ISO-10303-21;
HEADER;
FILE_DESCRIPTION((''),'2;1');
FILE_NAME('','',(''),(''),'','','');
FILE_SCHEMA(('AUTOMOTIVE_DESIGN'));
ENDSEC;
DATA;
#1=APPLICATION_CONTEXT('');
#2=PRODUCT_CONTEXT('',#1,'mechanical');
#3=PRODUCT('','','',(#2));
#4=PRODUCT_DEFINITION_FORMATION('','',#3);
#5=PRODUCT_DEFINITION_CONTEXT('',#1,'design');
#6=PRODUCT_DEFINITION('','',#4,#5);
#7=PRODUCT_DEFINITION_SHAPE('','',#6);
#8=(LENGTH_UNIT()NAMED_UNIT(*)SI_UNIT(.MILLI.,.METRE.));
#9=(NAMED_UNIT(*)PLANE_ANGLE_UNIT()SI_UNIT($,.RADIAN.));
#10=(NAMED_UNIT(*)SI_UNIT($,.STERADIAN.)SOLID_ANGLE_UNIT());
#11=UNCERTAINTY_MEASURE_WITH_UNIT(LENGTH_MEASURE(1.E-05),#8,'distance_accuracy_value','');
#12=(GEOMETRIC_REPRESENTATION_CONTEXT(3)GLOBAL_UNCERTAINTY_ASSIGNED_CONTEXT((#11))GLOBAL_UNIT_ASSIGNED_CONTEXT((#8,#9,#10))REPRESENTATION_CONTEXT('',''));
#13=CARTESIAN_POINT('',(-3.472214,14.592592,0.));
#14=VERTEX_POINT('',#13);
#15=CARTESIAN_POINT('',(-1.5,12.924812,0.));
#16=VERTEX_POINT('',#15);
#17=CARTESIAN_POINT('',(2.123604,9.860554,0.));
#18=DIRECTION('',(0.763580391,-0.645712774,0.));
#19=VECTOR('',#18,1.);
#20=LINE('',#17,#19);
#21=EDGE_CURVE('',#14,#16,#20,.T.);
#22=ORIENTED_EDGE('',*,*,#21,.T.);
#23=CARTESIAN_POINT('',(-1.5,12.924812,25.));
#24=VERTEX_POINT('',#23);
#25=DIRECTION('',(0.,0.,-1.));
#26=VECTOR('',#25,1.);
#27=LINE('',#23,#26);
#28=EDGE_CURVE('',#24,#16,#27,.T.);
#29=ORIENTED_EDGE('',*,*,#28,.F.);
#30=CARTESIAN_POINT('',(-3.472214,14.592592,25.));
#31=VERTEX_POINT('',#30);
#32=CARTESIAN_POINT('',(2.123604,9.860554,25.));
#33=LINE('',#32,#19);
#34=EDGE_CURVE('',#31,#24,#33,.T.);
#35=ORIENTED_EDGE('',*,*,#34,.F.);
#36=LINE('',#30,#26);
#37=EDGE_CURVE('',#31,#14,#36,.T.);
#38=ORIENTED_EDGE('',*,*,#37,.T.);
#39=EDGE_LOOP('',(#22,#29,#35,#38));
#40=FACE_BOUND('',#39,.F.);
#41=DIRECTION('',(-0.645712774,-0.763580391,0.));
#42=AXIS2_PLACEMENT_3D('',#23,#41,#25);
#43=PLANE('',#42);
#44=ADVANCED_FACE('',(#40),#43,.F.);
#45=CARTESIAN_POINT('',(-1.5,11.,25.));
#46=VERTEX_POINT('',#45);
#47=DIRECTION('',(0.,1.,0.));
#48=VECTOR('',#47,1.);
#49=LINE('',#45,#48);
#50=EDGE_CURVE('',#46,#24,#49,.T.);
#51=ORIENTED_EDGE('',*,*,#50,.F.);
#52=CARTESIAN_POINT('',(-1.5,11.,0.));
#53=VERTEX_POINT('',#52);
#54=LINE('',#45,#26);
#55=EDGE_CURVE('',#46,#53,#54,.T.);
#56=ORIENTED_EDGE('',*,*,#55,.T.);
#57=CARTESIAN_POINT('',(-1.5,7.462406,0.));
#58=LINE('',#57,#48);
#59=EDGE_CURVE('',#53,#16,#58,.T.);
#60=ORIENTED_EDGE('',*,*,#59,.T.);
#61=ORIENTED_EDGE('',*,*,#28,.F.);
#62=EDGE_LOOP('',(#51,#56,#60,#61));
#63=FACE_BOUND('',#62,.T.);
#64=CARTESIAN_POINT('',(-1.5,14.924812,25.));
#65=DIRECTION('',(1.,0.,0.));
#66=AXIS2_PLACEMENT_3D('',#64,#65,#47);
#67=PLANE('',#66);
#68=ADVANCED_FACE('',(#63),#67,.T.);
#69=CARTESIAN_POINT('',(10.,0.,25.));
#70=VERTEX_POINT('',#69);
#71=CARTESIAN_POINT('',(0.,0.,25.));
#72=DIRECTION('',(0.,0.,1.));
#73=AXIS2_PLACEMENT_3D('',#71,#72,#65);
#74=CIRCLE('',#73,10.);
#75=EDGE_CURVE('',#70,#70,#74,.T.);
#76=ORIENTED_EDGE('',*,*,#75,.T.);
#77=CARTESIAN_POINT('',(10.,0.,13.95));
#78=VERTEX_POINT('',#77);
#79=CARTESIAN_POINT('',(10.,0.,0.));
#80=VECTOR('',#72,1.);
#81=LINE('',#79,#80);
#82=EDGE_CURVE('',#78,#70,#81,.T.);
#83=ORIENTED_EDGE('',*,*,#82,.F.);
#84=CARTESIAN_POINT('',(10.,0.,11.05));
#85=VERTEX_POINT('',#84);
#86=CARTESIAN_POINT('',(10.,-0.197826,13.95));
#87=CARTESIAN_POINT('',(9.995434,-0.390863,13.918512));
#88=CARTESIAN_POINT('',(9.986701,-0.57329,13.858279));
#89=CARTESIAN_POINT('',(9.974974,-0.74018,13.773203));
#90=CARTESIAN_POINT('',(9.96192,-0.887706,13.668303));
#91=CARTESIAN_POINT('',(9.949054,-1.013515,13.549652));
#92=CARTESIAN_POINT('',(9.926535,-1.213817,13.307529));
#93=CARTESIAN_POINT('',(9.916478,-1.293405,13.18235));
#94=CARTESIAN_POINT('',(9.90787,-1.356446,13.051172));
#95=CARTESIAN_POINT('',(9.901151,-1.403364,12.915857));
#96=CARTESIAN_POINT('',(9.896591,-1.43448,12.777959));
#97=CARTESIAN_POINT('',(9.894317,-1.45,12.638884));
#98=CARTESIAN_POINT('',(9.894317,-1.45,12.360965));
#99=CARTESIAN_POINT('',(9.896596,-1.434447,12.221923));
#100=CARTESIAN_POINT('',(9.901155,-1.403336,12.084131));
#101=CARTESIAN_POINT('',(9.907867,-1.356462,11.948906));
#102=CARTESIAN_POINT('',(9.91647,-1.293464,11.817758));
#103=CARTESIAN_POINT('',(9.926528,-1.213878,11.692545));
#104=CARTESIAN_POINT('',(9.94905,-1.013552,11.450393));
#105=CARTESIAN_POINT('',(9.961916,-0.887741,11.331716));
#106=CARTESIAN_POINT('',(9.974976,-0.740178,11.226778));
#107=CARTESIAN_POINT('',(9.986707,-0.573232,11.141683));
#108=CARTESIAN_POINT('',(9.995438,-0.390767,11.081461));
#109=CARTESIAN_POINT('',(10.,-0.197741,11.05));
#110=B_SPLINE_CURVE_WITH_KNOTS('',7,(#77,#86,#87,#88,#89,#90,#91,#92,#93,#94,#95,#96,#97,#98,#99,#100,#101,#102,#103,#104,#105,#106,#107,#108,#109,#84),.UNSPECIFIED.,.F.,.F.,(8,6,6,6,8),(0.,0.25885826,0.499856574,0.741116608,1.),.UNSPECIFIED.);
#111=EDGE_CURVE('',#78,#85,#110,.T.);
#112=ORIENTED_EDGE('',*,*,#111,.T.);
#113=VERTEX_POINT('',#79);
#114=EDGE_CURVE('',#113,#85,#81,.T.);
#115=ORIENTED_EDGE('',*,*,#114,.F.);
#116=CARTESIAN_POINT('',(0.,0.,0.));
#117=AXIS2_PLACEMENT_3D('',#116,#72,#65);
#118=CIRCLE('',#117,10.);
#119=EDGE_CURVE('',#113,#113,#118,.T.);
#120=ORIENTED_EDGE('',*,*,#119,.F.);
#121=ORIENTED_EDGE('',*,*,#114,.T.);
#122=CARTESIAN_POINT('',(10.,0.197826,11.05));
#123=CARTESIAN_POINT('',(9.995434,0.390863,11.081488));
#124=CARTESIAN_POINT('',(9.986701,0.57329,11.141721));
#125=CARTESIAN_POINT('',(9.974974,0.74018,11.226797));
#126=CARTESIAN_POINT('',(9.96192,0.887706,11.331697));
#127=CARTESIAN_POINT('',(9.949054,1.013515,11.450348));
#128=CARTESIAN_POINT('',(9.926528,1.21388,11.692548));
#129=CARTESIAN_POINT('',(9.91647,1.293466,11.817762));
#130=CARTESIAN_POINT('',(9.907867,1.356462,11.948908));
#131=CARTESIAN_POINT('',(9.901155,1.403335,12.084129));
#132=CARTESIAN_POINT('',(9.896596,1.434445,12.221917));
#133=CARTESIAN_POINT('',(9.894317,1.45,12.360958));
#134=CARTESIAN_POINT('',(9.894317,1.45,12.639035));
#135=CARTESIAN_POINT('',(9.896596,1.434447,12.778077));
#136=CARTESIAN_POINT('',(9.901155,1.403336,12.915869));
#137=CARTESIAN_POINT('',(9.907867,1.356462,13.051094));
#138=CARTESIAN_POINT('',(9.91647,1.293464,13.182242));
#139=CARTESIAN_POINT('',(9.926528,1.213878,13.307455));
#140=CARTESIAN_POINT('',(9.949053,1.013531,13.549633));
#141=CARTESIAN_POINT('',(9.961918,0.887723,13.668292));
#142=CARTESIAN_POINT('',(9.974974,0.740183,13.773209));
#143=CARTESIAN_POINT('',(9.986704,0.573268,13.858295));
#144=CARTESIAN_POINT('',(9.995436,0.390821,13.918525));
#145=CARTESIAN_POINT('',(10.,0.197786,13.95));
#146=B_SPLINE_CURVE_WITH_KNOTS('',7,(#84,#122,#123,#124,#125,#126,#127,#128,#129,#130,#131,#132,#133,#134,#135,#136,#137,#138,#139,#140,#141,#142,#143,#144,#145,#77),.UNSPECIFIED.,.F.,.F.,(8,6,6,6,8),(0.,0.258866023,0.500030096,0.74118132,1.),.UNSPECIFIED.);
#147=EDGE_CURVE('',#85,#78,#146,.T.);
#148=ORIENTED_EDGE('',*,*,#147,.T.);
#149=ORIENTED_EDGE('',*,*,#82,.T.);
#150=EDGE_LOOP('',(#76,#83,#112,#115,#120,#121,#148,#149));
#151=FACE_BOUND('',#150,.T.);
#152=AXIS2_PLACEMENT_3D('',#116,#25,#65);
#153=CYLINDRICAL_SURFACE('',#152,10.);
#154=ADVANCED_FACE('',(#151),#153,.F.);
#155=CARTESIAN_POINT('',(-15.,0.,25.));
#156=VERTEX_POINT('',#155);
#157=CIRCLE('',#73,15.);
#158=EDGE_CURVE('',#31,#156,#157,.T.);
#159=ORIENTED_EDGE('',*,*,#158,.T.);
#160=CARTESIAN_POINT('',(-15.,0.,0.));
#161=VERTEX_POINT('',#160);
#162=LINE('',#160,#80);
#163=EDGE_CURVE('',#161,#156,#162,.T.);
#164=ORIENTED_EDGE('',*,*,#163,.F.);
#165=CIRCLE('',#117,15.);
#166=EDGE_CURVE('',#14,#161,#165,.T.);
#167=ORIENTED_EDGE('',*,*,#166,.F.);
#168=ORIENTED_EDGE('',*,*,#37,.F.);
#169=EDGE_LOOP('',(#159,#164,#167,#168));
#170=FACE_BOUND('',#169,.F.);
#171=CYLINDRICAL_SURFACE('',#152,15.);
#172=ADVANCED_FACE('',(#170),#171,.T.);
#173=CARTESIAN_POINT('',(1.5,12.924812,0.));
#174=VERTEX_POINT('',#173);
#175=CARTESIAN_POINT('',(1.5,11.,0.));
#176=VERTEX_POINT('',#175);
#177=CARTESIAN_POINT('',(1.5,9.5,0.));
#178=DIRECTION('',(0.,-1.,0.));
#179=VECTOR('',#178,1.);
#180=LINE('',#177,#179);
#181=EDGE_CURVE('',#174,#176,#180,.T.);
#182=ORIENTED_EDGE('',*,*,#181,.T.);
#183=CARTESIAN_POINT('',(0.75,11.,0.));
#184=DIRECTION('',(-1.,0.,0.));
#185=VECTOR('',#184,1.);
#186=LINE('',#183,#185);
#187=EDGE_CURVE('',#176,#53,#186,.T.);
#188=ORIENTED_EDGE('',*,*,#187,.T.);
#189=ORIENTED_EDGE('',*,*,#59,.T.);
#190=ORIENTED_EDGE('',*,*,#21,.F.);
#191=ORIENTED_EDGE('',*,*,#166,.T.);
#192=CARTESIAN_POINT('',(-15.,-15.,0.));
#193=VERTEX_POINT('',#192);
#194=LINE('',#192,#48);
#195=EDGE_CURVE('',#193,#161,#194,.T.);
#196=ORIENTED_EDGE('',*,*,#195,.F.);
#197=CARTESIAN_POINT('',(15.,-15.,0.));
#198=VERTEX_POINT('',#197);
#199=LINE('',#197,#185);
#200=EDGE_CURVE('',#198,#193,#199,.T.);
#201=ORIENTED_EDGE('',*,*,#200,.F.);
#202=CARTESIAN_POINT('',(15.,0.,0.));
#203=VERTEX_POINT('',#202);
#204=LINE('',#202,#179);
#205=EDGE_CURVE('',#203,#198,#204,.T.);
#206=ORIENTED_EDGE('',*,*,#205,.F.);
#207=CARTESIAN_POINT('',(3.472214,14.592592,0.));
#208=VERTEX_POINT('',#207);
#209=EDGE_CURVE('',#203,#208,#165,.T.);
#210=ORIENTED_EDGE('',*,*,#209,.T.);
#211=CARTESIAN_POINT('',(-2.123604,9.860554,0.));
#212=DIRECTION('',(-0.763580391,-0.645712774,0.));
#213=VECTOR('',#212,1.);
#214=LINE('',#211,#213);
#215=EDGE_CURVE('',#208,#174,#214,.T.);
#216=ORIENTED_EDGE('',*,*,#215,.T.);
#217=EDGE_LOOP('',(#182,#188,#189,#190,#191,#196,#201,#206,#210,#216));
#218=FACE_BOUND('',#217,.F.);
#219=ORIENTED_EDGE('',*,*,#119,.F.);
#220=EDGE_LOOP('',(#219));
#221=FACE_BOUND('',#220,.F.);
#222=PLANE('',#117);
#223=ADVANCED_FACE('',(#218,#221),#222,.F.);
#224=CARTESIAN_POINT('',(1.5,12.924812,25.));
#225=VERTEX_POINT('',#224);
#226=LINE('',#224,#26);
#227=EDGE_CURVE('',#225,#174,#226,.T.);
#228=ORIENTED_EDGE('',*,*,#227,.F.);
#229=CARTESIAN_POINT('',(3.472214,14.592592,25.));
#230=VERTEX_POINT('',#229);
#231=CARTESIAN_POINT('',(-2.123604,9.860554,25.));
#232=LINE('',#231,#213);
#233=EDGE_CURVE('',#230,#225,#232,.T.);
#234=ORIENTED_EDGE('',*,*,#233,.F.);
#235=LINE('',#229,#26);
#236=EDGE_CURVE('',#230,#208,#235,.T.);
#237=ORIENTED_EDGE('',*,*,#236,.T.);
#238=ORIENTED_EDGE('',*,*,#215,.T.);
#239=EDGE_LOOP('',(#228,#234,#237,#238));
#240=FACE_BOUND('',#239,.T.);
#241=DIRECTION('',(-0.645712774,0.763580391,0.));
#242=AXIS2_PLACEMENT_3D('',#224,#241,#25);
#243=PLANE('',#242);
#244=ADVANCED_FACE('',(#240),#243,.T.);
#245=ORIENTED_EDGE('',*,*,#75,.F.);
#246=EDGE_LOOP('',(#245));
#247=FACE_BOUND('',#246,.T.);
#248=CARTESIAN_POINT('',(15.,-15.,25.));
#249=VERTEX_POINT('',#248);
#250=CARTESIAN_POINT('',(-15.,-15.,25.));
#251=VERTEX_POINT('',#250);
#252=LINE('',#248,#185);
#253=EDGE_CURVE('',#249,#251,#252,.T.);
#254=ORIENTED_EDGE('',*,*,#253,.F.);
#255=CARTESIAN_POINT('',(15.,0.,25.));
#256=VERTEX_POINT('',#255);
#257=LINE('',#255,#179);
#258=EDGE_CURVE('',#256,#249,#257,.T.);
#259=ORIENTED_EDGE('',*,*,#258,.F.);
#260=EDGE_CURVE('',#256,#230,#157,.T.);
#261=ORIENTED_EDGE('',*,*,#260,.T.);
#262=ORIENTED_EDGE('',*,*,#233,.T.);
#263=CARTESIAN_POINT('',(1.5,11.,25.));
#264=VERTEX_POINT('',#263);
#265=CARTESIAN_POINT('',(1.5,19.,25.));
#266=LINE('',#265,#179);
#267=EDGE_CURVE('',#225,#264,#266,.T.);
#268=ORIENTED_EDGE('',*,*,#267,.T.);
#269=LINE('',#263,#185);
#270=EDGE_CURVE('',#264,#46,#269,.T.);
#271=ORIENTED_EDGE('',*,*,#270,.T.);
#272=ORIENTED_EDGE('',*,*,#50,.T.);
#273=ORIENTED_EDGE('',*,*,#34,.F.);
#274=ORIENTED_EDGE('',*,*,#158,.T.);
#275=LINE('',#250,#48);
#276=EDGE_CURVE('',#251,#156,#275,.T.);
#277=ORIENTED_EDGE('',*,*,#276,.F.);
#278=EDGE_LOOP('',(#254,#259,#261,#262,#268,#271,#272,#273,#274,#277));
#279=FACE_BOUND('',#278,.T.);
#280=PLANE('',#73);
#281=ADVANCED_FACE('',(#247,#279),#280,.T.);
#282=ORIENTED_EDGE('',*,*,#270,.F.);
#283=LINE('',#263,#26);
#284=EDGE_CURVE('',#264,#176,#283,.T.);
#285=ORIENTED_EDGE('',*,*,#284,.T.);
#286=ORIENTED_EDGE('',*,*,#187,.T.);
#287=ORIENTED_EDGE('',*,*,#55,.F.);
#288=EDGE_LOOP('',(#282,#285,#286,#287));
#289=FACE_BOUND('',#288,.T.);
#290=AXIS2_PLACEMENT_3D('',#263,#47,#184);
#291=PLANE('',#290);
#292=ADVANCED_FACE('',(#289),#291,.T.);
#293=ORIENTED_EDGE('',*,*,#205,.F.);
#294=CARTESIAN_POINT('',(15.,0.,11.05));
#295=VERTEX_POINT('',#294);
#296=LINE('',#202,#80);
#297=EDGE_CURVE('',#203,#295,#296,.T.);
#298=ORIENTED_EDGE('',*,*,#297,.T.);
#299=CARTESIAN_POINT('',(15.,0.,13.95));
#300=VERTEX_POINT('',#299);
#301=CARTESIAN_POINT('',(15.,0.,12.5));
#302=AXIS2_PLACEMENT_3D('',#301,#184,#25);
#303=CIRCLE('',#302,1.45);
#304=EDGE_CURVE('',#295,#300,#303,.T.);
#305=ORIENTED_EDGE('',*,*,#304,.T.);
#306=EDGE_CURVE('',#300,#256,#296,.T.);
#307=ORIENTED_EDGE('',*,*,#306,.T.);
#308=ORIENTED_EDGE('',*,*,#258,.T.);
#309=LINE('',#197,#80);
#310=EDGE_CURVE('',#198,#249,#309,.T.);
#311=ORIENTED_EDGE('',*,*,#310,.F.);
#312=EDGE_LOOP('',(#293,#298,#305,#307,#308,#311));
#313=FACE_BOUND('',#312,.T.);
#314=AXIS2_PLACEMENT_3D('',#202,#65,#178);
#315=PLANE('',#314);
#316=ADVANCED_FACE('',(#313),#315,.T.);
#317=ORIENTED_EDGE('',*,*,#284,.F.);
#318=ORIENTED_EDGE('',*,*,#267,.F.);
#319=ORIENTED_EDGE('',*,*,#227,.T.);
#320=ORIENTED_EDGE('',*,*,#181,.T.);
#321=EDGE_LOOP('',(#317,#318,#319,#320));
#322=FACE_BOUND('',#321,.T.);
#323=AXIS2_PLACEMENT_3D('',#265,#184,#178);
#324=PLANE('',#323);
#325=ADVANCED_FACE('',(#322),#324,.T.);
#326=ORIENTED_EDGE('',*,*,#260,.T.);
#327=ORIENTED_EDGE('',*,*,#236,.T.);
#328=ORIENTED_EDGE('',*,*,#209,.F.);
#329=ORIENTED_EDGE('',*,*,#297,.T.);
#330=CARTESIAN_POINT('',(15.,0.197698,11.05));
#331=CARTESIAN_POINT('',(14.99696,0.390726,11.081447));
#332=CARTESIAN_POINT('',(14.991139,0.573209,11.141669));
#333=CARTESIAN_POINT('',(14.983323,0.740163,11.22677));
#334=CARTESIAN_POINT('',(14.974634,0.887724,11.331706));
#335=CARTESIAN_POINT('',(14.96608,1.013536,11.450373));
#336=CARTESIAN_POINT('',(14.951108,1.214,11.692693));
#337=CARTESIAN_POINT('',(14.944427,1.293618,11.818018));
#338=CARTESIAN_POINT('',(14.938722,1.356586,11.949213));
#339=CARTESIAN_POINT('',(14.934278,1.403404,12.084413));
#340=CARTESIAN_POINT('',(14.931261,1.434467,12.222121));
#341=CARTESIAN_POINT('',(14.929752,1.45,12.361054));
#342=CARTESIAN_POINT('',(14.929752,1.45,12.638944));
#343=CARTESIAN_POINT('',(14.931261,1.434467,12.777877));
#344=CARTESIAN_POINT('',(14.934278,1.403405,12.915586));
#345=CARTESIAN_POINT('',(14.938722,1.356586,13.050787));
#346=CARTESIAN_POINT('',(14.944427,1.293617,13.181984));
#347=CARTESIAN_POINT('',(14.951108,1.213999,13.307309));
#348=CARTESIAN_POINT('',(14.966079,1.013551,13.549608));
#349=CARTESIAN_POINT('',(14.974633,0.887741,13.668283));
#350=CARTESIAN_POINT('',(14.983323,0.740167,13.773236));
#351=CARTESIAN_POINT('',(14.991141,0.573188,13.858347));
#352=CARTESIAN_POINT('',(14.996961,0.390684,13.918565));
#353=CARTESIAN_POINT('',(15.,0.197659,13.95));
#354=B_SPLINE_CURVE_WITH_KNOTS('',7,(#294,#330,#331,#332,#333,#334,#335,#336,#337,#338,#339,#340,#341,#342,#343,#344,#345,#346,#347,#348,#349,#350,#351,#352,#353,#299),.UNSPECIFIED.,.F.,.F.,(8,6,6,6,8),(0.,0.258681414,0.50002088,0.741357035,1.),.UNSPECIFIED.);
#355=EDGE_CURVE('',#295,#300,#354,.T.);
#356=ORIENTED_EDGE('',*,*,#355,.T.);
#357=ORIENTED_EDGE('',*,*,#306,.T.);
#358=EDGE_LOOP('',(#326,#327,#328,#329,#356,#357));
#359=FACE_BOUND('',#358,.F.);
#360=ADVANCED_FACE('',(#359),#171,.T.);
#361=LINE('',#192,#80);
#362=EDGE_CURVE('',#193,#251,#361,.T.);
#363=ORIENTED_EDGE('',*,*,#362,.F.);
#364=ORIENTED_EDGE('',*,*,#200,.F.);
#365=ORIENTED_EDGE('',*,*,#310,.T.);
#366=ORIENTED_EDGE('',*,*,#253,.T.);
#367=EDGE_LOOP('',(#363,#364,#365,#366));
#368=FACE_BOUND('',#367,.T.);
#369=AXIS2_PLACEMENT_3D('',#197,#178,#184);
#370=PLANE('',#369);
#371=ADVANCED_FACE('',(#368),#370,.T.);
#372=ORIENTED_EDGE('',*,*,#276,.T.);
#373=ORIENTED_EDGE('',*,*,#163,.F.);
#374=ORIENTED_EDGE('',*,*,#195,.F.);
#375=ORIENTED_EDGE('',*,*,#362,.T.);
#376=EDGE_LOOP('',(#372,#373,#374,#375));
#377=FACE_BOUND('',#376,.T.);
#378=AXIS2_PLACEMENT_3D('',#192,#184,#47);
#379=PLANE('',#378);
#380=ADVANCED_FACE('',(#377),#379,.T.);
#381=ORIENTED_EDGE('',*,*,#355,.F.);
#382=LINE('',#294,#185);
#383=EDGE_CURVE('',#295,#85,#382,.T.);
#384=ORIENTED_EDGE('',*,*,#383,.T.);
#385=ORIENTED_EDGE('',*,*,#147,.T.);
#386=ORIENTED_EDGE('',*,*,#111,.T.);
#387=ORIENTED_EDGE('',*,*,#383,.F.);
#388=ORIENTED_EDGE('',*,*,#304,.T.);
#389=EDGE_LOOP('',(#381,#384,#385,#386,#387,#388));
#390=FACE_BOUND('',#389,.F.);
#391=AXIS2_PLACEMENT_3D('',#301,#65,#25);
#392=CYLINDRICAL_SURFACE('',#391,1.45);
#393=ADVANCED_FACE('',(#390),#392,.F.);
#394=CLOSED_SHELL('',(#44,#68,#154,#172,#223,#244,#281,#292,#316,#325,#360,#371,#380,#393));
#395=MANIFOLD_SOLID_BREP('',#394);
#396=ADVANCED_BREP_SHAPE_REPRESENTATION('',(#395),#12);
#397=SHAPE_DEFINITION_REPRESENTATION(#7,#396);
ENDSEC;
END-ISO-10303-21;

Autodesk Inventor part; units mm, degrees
ref_plane "YZ Plane" through (0, 0, 0) normal (1, 0, 0) x (0, 1, 0)
ref_plane "XZ Plane" through (0, 0, 0) normal (0, 1, 0) x (-1, 0, 0)
ref_plane "XY Plane" through (0, 0, 0) normal (0, 0, 1) x (1, 0, 0)
sketch "Skizze3" plane through (0, 0, 0) normal (0, 0, 1) x (1, 0, 0)
  circle A0 centre (0, 0) radius 10
  arc A1 (15, 0) -> (-15, 0) centre (0, 0) ccw
  line L0 (15, 0) -> (15, -15)
  line L1 (15, -15) -> (-15, -15)
  line L2 (-15, -15) -> (-15, 0)
  line L3 (-15, 15) -> (15, -15) construction
  line L4 (15, 15) -> (-15, -15) construction
extrude "Extrusion2" add sketch "Skizze3" along normal blind 25
sketch "Skizze4" plane through (0, 0, 25) normal (0, 0, 1) x (1, 0, 0)
  circle A0 centre (0, 0) radius 10 construction
  line L0 (15, -15) -> (15, 0) construction
  arc A1 (15, 0) -> (-15, 0) centre (0, 0) ccw construction
  line L1 (-15, 0) -> (-15, -15) construction
  line L2 (-15, -15) -> (15, -15) construction
  line L3 (-1.5, 19) -> (1.5, 19)
  line L4 (1.5, 19) -> (1.5, 11)
  line L5 (1.5, 11) -> (-1.5, 11)
  line L6 (-1.5, 11) -> (-1.5, 19)
  arc A2 (15, 0) -> (-15, 0) centre (0, 0) ccw projected
  line L7 (-1.5, 19) -> (1.5, 11) construction
  line L8 (1.5, 19) -> (-1.5, 11) construction
  point P0 (0, 15)
  dimension "d9" = 3
  dimension "d10" = 8
extrude "Extrusion3" cut sketch "Skizze4" against normal through all
chamfer "Fase1" distance 2 angle 45 2 edges at (-1.5, 14.9248, 12.5) (1.5, 14.9248, 12.5)
sketch "Skizze5" plane through (15, -15, 0) normal (1, 0, 0) x (0, 0, -1)
  line L0 (0, 15) -> (-25, 15) projected
  circle A0 centre (-12.5, 15) radius 1.45
  dimension "d16" = 2.9
extrude "Extrusion4" cut sketch "Skizze5" against normal blind 6
properties part number "pipe_ruler"
